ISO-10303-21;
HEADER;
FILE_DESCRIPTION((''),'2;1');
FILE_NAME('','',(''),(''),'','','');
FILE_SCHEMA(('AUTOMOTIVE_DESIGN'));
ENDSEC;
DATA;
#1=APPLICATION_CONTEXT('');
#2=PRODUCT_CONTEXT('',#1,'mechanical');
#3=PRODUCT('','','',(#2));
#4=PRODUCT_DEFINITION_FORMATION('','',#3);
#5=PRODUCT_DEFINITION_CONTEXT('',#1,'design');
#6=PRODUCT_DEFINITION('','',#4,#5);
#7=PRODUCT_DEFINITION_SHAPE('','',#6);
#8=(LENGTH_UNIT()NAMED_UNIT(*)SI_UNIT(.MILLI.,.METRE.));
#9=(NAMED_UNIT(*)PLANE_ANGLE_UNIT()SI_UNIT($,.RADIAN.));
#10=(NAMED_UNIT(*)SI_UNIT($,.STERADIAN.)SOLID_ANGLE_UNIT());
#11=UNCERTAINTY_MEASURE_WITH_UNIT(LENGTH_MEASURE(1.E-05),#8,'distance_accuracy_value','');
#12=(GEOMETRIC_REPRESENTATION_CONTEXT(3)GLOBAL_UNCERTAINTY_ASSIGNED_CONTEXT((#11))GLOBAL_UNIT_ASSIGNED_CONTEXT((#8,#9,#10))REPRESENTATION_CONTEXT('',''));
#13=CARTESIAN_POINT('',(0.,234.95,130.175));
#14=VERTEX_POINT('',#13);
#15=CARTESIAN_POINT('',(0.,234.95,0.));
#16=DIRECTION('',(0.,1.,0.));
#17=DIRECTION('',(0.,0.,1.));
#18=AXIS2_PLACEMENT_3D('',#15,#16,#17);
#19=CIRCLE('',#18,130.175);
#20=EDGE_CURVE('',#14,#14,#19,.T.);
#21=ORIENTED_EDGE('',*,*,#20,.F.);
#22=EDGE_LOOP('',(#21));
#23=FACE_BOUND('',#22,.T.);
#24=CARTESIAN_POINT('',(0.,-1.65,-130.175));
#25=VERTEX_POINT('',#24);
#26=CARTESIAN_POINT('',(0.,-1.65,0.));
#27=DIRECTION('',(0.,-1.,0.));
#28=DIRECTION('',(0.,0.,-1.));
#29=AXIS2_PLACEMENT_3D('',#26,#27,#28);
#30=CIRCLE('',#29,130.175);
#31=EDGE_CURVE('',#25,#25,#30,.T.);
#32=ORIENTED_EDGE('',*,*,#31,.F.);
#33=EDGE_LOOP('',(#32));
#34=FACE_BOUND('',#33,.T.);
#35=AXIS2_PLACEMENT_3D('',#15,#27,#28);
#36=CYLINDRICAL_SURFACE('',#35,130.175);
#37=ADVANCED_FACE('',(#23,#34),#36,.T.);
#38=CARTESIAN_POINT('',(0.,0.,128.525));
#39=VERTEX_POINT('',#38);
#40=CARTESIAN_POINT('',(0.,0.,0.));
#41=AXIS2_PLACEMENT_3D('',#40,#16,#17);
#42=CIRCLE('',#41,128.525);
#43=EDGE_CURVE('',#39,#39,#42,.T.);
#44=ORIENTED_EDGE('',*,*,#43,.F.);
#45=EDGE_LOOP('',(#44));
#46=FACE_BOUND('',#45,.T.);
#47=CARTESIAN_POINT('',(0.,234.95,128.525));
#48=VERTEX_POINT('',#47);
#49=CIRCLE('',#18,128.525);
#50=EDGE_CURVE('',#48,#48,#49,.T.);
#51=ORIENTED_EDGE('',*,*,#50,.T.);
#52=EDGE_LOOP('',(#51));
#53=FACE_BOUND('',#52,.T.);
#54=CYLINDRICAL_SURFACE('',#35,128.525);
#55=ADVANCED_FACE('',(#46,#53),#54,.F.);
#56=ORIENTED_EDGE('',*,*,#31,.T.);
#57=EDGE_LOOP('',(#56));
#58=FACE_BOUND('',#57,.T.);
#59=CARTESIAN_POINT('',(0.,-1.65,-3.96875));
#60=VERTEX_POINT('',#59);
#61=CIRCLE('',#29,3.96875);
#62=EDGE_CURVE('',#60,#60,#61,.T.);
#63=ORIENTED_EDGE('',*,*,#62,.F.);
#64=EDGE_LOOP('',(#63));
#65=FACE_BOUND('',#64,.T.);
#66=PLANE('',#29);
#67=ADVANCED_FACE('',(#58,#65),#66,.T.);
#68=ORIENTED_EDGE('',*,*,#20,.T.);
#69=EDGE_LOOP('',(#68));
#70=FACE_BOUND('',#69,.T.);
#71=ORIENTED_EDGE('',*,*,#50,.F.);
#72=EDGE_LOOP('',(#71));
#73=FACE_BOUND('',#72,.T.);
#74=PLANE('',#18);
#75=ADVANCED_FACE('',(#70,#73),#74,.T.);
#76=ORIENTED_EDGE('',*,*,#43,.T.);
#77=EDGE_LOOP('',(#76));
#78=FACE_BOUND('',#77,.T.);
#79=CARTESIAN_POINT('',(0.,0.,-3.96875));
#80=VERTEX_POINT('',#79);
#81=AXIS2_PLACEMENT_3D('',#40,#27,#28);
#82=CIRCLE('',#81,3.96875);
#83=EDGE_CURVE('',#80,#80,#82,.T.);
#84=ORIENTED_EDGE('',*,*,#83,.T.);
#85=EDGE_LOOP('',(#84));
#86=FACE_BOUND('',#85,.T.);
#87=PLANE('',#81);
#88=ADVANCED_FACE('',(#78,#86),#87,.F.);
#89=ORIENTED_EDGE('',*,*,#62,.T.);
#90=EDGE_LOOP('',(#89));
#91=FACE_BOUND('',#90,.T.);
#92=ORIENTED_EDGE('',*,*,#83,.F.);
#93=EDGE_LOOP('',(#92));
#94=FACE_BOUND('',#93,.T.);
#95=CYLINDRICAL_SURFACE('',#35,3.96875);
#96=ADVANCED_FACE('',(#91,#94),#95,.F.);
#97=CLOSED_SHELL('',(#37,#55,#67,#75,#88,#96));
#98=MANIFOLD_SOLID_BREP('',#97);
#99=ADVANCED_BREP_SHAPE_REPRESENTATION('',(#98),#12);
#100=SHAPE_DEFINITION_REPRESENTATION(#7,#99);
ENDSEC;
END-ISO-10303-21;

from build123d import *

# Parameters (mm, degrees)
SKETCH1_R           = 130.175
SKETCH1_R_2         = 128.525
BOSS_EXTRUDE1_DEPTH = 234.95
SKETCH2_R           = 130.175
BOSS_EXTRUDE2_DEPTH = 1.65
SKETCH3_R           = 3.96875
CUT_EXTRUDE1_DEPTH  = 237.6


with BuildPart() as part:
    # Sketch1 → Boss-Extrude1 (new body)
    with BuildSketch(Plane(origin=(0, 0, 0), x_dir=(1, 0, 0), z_dir=(0, 1, 0))):
        Circle(SKETCH1_R)
        Circle(SKETCH1_R_2, mode=Mode.SUBTRACT)
    extrude(amount=BOSS_EXTRUDE1_DEPTH)

    # Sketch2 → Boss-Extrude2 (add)
    with BuildSketch(Plane.XZ):
        Circle(SKETCH2_R)
    extrude(amount=BOSS_EXTRUDE2_DEPTH)

    # Sketch3 → Cut-Extrude1 (cut, through all)
    with BuildSketch(Plane.XZ.offset(1.65)):
        Circle(SKETCH3_R)
    extrude(amount=-CUT_EXTRUDE1_DEPTH, mode=Mode.SUBTRACT)


solid = part.part
